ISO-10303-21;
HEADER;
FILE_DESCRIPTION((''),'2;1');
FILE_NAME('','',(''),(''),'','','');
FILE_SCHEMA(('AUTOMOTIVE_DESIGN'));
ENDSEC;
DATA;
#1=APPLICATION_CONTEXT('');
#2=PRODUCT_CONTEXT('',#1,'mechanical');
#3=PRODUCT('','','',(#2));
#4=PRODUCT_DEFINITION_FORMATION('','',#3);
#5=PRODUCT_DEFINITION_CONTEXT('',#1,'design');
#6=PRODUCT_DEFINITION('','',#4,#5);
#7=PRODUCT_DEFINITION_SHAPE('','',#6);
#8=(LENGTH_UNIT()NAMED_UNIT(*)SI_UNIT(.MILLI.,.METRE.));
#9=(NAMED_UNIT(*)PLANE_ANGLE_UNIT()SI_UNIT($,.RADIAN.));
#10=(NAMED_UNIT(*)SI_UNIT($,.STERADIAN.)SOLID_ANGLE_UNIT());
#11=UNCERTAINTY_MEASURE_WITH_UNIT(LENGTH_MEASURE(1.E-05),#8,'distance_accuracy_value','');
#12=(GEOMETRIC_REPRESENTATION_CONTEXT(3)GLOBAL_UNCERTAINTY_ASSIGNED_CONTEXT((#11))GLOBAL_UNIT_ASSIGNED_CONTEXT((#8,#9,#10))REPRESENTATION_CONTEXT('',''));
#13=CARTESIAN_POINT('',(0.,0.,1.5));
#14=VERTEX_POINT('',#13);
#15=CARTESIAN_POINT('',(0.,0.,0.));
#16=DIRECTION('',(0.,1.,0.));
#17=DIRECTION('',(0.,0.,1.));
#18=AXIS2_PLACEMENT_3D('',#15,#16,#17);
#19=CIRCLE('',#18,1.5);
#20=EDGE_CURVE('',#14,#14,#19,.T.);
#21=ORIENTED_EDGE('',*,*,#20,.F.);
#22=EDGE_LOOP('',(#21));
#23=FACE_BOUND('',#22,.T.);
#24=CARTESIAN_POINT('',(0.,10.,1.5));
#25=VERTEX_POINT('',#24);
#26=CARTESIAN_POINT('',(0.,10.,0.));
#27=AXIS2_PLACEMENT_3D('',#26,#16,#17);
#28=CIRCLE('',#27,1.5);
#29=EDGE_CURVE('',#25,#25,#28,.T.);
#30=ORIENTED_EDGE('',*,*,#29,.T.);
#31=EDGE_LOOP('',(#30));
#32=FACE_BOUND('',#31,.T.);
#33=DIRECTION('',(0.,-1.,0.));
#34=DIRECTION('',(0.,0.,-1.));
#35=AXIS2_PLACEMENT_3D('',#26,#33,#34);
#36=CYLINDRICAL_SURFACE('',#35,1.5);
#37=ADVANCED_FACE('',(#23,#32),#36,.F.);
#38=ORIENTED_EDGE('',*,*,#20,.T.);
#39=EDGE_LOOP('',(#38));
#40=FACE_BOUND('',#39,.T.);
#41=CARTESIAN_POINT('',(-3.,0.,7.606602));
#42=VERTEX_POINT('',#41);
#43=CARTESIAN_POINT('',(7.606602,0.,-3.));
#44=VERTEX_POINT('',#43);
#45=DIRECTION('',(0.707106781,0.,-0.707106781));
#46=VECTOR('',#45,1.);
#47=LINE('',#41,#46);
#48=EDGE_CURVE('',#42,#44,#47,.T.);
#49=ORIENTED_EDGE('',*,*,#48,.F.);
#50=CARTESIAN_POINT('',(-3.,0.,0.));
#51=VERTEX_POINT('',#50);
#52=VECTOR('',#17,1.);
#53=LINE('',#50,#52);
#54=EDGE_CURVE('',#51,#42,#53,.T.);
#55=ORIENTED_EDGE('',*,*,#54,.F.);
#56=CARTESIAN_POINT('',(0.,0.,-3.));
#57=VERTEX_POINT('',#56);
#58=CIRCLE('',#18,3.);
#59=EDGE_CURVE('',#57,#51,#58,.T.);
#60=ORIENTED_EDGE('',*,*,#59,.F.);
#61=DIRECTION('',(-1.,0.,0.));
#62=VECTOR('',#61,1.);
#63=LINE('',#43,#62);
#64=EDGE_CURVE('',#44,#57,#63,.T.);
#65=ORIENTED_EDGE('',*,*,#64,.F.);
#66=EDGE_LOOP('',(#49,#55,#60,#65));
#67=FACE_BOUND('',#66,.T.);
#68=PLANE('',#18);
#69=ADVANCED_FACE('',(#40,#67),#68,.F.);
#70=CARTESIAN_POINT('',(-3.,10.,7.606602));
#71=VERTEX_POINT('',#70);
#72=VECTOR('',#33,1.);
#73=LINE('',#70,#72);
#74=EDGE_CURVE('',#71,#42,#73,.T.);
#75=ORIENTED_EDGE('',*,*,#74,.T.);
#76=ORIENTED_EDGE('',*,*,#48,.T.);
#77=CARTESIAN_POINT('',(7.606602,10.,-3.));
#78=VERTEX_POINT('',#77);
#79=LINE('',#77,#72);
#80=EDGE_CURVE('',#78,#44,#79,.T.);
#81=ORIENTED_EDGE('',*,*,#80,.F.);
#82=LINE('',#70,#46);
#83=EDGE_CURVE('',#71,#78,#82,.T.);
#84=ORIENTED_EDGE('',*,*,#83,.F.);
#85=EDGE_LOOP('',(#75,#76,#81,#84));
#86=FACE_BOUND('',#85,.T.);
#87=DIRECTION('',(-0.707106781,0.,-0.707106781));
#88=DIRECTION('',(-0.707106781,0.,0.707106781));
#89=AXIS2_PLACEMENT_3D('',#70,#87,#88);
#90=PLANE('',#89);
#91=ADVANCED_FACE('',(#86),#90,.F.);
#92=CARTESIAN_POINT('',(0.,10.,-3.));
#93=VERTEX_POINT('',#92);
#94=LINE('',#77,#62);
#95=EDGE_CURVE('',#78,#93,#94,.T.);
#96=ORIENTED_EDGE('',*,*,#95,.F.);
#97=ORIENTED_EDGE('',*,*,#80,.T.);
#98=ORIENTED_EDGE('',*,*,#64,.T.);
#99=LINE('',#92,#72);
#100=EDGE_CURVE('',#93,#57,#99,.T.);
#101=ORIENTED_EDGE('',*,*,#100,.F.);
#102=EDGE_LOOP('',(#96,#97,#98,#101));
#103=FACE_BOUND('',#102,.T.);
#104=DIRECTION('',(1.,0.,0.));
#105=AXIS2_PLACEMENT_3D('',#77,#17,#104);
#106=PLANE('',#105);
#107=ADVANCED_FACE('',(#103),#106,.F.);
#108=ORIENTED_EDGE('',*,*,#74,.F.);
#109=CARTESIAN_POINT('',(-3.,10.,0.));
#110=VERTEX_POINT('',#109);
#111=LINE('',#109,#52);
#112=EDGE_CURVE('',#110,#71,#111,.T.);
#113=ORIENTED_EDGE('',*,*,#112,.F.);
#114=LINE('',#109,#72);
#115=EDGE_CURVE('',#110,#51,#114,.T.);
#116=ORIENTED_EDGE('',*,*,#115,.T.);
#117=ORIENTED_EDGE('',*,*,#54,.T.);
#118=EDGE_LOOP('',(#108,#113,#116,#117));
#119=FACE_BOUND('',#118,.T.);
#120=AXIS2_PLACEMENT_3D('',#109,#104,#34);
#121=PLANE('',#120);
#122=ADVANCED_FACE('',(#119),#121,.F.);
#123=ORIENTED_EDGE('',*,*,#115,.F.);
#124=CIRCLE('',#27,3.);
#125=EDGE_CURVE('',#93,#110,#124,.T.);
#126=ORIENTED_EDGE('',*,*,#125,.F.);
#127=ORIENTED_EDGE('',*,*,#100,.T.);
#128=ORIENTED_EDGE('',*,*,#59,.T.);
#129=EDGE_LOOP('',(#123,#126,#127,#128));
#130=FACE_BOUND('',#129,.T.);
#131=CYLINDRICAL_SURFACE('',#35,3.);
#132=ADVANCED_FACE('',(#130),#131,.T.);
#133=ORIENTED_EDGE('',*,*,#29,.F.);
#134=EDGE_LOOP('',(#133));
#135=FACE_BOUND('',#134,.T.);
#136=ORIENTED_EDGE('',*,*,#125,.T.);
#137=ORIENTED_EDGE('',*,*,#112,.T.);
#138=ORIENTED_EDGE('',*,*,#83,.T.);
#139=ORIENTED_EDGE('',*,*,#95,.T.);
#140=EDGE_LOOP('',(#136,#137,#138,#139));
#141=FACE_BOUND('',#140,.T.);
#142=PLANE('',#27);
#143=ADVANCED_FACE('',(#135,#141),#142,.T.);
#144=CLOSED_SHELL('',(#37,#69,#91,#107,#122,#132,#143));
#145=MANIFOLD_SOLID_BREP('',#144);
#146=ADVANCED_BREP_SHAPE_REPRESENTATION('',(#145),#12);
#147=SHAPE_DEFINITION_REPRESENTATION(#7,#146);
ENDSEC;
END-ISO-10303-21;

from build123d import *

# Parameters (mm, degrees)
SKETCH1_R           = 1.5
BOSS_EXTRUDE1_DEPTH = 10


with BuildPart() as part:
    # Sketch1 → Boss-Extrude1 (new body)
    with BuildSketch(Plane(origin=(0, 0, 0), x_dir=(1, 0, 0), z_dir=(0, 1, 0))):
        with BuildLine():
            Line((7.606601718, 3), (0, 3))
            ThreePointArc((0, 3), (-2.121320344, 2.121320344), (-3, 0))
            Line((-3, 0), (-3, -7.606601718))
            Line((-3, -7.606601718), (7.606601718, 3))
        make_face()
        with Locations(Location((0, 0, 0), (0, 0, 270))):
            Circle(SKETCH1_R, mode=Mode.SUBTRACT)
    extrude(amount=BOSS_EXTRUDE1_DEPTH)


solid = part.part
